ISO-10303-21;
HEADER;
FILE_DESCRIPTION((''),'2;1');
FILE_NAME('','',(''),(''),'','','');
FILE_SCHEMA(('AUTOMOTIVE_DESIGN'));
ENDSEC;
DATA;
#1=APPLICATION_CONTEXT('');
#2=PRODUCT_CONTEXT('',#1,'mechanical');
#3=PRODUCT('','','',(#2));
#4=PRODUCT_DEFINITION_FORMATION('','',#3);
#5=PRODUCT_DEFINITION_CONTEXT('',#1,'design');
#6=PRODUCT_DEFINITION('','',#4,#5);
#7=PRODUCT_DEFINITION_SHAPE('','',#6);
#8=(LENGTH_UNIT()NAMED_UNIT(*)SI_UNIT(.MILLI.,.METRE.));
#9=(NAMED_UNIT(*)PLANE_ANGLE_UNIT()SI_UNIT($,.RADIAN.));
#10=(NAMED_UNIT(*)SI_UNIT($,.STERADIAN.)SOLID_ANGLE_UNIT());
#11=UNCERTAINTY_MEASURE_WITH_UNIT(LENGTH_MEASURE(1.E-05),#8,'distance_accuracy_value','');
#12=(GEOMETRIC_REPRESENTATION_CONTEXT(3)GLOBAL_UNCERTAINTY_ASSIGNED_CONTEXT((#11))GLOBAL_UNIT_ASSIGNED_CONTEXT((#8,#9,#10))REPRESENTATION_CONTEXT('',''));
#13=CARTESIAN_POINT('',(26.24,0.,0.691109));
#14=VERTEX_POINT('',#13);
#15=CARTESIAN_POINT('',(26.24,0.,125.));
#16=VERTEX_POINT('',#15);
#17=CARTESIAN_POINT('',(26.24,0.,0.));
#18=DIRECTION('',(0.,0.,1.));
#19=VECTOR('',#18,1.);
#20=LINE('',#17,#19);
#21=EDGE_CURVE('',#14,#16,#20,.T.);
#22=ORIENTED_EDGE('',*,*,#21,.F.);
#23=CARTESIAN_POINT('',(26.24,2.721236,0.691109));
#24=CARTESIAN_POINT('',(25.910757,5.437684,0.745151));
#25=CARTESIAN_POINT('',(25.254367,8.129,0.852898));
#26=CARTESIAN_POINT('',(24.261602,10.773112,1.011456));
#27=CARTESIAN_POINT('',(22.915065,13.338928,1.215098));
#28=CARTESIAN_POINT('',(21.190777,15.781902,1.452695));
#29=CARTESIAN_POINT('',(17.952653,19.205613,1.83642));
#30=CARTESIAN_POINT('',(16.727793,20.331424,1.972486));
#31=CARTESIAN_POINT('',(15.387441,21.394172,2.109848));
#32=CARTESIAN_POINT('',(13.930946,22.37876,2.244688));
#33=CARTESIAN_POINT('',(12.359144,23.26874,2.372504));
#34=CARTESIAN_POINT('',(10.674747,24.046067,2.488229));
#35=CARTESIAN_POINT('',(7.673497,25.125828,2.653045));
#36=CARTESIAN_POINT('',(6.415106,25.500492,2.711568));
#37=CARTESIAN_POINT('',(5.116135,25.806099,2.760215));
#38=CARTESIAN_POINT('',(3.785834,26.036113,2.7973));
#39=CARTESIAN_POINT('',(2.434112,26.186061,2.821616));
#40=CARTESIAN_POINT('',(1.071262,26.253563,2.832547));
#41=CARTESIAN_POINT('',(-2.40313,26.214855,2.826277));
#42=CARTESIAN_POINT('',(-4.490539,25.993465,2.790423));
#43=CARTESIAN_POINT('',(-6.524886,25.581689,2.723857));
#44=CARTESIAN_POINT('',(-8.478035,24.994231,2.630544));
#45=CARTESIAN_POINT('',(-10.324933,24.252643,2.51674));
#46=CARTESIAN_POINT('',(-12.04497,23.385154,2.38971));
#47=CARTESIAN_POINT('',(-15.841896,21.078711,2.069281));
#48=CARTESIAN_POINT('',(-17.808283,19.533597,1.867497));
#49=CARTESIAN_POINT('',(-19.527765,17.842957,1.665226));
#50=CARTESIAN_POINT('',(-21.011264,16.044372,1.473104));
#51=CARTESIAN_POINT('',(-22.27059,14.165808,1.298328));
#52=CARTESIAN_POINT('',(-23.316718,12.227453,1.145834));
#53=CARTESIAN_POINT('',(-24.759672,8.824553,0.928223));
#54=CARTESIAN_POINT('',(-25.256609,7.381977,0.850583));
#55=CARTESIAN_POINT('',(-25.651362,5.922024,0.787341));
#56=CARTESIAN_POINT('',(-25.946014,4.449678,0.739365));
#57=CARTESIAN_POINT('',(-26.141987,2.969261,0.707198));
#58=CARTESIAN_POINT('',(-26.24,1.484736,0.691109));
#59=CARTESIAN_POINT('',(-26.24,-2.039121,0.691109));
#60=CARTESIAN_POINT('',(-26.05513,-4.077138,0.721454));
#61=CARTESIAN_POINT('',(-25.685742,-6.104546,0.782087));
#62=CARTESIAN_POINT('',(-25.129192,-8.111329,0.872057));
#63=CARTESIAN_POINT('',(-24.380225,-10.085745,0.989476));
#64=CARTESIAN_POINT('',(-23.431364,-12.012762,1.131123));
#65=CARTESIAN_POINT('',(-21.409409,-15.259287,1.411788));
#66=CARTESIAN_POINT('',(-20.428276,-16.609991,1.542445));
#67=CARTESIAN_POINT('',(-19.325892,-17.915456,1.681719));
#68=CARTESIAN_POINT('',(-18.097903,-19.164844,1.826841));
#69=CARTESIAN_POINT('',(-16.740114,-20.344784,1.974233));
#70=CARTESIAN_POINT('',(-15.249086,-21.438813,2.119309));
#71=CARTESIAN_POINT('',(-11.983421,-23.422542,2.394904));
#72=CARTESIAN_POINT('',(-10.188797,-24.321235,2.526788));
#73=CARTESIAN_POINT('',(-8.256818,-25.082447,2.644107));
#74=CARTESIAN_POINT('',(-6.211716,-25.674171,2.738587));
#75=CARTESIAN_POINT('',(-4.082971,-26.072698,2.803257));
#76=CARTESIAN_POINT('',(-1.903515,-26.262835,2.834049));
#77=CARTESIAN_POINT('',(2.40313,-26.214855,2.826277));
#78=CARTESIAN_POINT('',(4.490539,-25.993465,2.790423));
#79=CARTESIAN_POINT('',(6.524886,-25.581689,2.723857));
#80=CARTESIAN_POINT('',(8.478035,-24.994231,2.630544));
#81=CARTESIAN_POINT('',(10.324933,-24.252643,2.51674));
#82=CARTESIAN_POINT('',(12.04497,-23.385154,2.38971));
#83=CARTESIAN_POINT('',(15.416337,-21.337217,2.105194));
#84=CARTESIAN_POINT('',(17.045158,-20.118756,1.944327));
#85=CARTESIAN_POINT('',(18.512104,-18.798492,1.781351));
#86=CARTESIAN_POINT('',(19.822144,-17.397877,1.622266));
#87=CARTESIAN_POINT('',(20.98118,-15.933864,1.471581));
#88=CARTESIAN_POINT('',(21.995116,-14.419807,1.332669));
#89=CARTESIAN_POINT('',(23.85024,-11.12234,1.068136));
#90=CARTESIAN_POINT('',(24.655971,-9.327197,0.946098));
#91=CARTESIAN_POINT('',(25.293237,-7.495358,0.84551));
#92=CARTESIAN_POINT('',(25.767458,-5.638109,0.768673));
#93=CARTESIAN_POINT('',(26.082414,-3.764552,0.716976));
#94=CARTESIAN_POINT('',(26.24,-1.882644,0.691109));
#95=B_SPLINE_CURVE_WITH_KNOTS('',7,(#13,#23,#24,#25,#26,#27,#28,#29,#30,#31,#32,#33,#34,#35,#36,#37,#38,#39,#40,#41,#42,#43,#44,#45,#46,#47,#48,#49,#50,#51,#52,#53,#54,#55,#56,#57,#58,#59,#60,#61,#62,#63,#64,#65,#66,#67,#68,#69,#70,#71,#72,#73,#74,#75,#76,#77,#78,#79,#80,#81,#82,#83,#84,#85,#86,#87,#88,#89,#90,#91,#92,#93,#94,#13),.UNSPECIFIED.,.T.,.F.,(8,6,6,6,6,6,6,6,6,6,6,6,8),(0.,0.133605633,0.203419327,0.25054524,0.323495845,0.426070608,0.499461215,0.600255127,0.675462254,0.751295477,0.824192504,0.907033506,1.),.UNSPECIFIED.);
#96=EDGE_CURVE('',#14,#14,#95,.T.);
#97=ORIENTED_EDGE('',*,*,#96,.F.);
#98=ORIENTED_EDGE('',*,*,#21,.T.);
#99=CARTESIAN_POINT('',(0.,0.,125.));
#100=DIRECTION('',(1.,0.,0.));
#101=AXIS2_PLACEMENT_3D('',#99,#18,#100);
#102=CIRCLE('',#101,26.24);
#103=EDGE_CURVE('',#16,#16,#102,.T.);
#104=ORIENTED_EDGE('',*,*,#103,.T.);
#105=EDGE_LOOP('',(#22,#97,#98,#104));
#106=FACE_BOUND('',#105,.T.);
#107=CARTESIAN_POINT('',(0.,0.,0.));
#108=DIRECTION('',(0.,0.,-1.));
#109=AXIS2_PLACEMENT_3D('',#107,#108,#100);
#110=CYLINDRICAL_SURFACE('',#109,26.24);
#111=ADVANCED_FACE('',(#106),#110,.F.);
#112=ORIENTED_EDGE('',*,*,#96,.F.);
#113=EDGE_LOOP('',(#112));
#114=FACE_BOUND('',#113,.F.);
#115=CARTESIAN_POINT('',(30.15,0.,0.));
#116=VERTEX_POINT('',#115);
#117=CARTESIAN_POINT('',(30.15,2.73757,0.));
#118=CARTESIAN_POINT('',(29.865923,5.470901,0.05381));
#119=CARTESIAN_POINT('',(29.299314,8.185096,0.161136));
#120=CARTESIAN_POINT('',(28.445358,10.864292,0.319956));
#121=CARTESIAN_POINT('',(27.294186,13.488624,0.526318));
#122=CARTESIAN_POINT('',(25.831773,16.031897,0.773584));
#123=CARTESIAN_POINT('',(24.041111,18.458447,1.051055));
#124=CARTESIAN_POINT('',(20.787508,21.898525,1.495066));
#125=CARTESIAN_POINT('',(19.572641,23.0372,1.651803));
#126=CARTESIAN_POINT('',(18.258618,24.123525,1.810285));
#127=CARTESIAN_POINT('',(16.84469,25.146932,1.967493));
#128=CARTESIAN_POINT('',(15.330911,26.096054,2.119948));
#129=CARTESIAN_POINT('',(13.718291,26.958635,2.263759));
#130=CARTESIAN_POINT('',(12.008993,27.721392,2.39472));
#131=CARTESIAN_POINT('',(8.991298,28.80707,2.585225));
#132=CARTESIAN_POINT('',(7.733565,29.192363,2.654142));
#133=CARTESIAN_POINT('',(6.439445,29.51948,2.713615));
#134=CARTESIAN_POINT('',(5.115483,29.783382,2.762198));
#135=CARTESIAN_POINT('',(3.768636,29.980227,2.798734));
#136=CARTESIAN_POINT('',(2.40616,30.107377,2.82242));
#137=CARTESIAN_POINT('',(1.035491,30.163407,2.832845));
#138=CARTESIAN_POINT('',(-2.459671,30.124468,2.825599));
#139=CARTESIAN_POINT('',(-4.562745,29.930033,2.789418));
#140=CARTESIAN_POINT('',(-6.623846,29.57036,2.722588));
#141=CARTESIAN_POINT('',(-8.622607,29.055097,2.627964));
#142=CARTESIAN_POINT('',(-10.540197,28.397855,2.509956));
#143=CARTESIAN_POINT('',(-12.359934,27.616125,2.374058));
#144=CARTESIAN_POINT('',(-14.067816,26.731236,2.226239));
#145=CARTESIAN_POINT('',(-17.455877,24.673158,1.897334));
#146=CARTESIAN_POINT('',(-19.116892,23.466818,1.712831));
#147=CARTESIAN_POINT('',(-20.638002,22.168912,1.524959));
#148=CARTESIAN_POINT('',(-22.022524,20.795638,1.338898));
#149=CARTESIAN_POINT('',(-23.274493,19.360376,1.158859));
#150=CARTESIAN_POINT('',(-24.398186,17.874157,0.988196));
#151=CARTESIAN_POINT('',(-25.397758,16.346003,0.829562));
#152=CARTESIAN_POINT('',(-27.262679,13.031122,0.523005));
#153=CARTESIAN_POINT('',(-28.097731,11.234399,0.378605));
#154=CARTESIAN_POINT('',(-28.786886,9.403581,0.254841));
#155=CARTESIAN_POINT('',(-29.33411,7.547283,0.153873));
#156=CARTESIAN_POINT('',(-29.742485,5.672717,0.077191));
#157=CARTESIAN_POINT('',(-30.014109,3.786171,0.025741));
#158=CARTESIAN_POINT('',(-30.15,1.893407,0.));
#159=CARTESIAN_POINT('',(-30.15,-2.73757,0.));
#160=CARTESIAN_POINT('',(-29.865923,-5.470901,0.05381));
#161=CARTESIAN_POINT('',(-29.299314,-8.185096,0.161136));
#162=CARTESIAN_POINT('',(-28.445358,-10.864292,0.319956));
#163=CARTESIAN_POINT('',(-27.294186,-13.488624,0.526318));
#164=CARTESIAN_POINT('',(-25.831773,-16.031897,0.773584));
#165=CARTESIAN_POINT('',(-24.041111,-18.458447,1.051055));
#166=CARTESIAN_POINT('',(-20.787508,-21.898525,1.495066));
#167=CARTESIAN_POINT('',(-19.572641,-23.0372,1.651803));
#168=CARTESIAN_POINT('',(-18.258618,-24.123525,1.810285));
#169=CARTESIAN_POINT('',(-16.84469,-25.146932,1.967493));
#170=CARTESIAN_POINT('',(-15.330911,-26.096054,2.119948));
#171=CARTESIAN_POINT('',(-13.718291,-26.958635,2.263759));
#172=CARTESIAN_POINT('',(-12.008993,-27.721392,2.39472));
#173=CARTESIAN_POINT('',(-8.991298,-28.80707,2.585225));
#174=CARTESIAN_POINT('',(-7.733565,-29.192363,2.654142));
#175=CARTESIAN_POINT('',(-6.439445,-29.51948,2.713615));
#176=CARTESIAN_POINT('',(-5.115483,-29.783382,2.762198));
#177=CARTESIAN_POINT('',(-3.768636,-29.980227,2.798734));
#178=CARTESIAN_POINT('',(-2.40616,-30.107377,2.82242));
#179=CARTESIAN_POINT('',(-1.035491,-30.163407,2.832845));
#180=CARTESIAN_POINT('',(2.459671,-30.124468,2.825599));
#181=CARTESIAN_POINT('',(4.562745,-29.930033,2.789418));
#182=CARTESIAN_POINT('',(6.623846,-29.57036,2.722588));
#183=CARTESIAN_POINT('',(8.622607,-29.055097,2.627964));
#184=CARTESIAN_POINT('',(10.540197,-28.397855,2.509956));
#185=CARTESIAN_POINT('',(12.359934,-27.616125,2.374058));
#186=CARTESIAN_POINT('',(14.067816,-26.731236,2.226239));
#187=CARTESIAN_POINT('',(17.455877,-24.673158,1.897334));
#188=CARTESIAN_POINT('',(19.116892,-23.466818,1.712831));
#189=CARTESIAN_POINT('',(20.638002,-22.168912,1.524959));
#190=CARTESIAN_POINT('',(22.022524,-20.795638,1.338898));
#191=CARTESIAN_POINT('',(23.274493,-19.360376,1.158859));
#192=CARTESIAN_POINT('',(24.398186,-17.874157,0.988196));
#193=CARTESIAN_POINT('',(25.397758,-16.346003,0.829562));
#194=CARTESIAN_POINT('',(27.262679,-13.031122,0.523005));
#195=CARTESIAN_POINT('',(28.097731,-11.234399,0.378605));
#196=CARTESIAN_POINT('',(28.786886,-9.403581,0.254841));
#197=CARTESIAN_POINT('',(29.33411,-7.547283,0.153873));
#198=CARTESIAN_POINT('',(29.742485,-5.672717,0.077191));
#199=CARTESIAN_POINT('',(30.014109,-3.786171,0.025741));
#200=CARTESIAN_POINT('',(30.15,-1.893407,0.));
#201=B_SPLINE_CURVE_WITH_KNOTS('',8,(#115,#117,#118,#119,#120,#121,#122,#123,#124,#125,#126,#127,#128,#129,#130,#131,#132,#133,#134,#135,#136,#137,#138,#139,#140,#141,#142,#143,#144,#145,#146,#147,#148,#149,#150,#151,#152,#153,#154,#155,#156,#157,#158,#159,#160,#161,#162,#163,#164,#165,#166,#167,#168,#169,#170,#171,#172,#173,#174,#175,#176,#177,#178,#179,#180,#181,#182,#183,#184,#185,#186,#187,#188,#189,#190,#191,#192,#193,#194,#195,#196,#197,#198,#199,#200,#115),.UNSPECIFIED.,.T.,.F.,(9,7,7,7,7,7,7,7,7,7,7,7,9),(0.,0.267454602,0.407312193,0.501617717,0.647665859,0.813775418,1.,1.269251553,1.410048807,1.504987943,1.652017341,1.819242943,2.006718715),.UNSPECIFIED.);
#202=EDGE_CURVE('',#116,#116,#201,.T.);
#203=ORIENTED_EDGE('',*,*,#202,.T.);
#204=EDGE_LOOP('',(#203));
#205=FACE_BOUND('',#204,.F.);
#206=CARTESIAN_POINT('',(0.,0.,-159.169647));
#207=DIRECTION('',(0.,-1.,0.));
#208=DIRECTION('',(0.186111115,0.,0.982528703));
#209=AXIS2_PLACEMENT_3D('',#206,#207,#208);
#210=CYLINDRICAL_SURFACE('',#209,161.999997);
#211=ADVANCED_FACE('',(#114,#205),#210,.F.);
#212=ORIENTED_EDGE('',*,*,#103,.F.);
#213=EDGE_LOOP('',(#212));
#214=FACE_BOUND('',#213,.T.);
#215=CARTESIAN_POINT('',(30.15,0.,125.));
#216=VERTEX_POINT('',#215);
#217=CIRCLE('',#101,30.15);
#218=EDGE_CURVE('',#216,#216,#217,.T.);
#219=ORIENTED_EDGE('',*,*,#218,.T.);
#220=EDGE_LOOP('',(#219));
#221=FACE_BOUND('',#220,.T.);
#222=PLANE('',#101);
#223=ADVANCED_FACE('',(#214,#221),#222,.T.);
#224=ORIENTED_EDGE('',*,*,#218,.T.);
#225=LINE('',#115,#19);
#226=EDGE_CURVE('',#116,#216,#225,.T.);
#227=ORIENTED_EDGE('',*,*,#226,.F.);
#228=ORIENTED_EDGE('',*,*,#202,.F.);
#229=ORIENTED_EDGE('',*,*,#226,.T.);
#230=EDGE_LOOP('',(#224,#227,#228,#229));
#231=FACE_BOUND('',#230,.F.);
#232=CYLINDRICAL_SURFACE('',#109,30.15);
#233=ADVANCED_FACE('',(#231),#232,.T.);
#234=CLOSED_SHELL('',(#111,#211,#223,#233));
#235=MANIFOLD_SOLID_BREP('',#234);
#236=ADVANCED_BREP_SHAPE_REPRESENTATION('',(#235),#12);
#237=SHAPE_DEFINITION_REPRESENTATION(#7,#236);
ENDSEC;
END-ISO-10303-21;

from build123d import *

# Parameters (mm, degrees)
F0_R     = 30.15
F0_R_2   = 26.24
F1_DEPTH = 125
F3_DEPTH = 50


with BuildPart() as f1:
    # F0 (on Top) → F1 (new body)
    with BuildSketch(Plane.XY):
        Circle(F0_R)
        Circle(F0_R_2, mode=Mode.SUBTRACT)
    extrude(amount=F1_DEPTH)

    # F2 (on Front) → F3 (cut, symmetric)
    with BuildSketch(Plane.XZ):
        with BuildLine():
            ThreePointArc((30.15, 0), (0, 2.83035), (-30.15, 0))
            Line((-30.15, 0), (30.15, 0))
        make_face()
    extrude(amount=F3_DEPTH, both=True, mode=Mode.SUBTRACT)


solid = f1.part
